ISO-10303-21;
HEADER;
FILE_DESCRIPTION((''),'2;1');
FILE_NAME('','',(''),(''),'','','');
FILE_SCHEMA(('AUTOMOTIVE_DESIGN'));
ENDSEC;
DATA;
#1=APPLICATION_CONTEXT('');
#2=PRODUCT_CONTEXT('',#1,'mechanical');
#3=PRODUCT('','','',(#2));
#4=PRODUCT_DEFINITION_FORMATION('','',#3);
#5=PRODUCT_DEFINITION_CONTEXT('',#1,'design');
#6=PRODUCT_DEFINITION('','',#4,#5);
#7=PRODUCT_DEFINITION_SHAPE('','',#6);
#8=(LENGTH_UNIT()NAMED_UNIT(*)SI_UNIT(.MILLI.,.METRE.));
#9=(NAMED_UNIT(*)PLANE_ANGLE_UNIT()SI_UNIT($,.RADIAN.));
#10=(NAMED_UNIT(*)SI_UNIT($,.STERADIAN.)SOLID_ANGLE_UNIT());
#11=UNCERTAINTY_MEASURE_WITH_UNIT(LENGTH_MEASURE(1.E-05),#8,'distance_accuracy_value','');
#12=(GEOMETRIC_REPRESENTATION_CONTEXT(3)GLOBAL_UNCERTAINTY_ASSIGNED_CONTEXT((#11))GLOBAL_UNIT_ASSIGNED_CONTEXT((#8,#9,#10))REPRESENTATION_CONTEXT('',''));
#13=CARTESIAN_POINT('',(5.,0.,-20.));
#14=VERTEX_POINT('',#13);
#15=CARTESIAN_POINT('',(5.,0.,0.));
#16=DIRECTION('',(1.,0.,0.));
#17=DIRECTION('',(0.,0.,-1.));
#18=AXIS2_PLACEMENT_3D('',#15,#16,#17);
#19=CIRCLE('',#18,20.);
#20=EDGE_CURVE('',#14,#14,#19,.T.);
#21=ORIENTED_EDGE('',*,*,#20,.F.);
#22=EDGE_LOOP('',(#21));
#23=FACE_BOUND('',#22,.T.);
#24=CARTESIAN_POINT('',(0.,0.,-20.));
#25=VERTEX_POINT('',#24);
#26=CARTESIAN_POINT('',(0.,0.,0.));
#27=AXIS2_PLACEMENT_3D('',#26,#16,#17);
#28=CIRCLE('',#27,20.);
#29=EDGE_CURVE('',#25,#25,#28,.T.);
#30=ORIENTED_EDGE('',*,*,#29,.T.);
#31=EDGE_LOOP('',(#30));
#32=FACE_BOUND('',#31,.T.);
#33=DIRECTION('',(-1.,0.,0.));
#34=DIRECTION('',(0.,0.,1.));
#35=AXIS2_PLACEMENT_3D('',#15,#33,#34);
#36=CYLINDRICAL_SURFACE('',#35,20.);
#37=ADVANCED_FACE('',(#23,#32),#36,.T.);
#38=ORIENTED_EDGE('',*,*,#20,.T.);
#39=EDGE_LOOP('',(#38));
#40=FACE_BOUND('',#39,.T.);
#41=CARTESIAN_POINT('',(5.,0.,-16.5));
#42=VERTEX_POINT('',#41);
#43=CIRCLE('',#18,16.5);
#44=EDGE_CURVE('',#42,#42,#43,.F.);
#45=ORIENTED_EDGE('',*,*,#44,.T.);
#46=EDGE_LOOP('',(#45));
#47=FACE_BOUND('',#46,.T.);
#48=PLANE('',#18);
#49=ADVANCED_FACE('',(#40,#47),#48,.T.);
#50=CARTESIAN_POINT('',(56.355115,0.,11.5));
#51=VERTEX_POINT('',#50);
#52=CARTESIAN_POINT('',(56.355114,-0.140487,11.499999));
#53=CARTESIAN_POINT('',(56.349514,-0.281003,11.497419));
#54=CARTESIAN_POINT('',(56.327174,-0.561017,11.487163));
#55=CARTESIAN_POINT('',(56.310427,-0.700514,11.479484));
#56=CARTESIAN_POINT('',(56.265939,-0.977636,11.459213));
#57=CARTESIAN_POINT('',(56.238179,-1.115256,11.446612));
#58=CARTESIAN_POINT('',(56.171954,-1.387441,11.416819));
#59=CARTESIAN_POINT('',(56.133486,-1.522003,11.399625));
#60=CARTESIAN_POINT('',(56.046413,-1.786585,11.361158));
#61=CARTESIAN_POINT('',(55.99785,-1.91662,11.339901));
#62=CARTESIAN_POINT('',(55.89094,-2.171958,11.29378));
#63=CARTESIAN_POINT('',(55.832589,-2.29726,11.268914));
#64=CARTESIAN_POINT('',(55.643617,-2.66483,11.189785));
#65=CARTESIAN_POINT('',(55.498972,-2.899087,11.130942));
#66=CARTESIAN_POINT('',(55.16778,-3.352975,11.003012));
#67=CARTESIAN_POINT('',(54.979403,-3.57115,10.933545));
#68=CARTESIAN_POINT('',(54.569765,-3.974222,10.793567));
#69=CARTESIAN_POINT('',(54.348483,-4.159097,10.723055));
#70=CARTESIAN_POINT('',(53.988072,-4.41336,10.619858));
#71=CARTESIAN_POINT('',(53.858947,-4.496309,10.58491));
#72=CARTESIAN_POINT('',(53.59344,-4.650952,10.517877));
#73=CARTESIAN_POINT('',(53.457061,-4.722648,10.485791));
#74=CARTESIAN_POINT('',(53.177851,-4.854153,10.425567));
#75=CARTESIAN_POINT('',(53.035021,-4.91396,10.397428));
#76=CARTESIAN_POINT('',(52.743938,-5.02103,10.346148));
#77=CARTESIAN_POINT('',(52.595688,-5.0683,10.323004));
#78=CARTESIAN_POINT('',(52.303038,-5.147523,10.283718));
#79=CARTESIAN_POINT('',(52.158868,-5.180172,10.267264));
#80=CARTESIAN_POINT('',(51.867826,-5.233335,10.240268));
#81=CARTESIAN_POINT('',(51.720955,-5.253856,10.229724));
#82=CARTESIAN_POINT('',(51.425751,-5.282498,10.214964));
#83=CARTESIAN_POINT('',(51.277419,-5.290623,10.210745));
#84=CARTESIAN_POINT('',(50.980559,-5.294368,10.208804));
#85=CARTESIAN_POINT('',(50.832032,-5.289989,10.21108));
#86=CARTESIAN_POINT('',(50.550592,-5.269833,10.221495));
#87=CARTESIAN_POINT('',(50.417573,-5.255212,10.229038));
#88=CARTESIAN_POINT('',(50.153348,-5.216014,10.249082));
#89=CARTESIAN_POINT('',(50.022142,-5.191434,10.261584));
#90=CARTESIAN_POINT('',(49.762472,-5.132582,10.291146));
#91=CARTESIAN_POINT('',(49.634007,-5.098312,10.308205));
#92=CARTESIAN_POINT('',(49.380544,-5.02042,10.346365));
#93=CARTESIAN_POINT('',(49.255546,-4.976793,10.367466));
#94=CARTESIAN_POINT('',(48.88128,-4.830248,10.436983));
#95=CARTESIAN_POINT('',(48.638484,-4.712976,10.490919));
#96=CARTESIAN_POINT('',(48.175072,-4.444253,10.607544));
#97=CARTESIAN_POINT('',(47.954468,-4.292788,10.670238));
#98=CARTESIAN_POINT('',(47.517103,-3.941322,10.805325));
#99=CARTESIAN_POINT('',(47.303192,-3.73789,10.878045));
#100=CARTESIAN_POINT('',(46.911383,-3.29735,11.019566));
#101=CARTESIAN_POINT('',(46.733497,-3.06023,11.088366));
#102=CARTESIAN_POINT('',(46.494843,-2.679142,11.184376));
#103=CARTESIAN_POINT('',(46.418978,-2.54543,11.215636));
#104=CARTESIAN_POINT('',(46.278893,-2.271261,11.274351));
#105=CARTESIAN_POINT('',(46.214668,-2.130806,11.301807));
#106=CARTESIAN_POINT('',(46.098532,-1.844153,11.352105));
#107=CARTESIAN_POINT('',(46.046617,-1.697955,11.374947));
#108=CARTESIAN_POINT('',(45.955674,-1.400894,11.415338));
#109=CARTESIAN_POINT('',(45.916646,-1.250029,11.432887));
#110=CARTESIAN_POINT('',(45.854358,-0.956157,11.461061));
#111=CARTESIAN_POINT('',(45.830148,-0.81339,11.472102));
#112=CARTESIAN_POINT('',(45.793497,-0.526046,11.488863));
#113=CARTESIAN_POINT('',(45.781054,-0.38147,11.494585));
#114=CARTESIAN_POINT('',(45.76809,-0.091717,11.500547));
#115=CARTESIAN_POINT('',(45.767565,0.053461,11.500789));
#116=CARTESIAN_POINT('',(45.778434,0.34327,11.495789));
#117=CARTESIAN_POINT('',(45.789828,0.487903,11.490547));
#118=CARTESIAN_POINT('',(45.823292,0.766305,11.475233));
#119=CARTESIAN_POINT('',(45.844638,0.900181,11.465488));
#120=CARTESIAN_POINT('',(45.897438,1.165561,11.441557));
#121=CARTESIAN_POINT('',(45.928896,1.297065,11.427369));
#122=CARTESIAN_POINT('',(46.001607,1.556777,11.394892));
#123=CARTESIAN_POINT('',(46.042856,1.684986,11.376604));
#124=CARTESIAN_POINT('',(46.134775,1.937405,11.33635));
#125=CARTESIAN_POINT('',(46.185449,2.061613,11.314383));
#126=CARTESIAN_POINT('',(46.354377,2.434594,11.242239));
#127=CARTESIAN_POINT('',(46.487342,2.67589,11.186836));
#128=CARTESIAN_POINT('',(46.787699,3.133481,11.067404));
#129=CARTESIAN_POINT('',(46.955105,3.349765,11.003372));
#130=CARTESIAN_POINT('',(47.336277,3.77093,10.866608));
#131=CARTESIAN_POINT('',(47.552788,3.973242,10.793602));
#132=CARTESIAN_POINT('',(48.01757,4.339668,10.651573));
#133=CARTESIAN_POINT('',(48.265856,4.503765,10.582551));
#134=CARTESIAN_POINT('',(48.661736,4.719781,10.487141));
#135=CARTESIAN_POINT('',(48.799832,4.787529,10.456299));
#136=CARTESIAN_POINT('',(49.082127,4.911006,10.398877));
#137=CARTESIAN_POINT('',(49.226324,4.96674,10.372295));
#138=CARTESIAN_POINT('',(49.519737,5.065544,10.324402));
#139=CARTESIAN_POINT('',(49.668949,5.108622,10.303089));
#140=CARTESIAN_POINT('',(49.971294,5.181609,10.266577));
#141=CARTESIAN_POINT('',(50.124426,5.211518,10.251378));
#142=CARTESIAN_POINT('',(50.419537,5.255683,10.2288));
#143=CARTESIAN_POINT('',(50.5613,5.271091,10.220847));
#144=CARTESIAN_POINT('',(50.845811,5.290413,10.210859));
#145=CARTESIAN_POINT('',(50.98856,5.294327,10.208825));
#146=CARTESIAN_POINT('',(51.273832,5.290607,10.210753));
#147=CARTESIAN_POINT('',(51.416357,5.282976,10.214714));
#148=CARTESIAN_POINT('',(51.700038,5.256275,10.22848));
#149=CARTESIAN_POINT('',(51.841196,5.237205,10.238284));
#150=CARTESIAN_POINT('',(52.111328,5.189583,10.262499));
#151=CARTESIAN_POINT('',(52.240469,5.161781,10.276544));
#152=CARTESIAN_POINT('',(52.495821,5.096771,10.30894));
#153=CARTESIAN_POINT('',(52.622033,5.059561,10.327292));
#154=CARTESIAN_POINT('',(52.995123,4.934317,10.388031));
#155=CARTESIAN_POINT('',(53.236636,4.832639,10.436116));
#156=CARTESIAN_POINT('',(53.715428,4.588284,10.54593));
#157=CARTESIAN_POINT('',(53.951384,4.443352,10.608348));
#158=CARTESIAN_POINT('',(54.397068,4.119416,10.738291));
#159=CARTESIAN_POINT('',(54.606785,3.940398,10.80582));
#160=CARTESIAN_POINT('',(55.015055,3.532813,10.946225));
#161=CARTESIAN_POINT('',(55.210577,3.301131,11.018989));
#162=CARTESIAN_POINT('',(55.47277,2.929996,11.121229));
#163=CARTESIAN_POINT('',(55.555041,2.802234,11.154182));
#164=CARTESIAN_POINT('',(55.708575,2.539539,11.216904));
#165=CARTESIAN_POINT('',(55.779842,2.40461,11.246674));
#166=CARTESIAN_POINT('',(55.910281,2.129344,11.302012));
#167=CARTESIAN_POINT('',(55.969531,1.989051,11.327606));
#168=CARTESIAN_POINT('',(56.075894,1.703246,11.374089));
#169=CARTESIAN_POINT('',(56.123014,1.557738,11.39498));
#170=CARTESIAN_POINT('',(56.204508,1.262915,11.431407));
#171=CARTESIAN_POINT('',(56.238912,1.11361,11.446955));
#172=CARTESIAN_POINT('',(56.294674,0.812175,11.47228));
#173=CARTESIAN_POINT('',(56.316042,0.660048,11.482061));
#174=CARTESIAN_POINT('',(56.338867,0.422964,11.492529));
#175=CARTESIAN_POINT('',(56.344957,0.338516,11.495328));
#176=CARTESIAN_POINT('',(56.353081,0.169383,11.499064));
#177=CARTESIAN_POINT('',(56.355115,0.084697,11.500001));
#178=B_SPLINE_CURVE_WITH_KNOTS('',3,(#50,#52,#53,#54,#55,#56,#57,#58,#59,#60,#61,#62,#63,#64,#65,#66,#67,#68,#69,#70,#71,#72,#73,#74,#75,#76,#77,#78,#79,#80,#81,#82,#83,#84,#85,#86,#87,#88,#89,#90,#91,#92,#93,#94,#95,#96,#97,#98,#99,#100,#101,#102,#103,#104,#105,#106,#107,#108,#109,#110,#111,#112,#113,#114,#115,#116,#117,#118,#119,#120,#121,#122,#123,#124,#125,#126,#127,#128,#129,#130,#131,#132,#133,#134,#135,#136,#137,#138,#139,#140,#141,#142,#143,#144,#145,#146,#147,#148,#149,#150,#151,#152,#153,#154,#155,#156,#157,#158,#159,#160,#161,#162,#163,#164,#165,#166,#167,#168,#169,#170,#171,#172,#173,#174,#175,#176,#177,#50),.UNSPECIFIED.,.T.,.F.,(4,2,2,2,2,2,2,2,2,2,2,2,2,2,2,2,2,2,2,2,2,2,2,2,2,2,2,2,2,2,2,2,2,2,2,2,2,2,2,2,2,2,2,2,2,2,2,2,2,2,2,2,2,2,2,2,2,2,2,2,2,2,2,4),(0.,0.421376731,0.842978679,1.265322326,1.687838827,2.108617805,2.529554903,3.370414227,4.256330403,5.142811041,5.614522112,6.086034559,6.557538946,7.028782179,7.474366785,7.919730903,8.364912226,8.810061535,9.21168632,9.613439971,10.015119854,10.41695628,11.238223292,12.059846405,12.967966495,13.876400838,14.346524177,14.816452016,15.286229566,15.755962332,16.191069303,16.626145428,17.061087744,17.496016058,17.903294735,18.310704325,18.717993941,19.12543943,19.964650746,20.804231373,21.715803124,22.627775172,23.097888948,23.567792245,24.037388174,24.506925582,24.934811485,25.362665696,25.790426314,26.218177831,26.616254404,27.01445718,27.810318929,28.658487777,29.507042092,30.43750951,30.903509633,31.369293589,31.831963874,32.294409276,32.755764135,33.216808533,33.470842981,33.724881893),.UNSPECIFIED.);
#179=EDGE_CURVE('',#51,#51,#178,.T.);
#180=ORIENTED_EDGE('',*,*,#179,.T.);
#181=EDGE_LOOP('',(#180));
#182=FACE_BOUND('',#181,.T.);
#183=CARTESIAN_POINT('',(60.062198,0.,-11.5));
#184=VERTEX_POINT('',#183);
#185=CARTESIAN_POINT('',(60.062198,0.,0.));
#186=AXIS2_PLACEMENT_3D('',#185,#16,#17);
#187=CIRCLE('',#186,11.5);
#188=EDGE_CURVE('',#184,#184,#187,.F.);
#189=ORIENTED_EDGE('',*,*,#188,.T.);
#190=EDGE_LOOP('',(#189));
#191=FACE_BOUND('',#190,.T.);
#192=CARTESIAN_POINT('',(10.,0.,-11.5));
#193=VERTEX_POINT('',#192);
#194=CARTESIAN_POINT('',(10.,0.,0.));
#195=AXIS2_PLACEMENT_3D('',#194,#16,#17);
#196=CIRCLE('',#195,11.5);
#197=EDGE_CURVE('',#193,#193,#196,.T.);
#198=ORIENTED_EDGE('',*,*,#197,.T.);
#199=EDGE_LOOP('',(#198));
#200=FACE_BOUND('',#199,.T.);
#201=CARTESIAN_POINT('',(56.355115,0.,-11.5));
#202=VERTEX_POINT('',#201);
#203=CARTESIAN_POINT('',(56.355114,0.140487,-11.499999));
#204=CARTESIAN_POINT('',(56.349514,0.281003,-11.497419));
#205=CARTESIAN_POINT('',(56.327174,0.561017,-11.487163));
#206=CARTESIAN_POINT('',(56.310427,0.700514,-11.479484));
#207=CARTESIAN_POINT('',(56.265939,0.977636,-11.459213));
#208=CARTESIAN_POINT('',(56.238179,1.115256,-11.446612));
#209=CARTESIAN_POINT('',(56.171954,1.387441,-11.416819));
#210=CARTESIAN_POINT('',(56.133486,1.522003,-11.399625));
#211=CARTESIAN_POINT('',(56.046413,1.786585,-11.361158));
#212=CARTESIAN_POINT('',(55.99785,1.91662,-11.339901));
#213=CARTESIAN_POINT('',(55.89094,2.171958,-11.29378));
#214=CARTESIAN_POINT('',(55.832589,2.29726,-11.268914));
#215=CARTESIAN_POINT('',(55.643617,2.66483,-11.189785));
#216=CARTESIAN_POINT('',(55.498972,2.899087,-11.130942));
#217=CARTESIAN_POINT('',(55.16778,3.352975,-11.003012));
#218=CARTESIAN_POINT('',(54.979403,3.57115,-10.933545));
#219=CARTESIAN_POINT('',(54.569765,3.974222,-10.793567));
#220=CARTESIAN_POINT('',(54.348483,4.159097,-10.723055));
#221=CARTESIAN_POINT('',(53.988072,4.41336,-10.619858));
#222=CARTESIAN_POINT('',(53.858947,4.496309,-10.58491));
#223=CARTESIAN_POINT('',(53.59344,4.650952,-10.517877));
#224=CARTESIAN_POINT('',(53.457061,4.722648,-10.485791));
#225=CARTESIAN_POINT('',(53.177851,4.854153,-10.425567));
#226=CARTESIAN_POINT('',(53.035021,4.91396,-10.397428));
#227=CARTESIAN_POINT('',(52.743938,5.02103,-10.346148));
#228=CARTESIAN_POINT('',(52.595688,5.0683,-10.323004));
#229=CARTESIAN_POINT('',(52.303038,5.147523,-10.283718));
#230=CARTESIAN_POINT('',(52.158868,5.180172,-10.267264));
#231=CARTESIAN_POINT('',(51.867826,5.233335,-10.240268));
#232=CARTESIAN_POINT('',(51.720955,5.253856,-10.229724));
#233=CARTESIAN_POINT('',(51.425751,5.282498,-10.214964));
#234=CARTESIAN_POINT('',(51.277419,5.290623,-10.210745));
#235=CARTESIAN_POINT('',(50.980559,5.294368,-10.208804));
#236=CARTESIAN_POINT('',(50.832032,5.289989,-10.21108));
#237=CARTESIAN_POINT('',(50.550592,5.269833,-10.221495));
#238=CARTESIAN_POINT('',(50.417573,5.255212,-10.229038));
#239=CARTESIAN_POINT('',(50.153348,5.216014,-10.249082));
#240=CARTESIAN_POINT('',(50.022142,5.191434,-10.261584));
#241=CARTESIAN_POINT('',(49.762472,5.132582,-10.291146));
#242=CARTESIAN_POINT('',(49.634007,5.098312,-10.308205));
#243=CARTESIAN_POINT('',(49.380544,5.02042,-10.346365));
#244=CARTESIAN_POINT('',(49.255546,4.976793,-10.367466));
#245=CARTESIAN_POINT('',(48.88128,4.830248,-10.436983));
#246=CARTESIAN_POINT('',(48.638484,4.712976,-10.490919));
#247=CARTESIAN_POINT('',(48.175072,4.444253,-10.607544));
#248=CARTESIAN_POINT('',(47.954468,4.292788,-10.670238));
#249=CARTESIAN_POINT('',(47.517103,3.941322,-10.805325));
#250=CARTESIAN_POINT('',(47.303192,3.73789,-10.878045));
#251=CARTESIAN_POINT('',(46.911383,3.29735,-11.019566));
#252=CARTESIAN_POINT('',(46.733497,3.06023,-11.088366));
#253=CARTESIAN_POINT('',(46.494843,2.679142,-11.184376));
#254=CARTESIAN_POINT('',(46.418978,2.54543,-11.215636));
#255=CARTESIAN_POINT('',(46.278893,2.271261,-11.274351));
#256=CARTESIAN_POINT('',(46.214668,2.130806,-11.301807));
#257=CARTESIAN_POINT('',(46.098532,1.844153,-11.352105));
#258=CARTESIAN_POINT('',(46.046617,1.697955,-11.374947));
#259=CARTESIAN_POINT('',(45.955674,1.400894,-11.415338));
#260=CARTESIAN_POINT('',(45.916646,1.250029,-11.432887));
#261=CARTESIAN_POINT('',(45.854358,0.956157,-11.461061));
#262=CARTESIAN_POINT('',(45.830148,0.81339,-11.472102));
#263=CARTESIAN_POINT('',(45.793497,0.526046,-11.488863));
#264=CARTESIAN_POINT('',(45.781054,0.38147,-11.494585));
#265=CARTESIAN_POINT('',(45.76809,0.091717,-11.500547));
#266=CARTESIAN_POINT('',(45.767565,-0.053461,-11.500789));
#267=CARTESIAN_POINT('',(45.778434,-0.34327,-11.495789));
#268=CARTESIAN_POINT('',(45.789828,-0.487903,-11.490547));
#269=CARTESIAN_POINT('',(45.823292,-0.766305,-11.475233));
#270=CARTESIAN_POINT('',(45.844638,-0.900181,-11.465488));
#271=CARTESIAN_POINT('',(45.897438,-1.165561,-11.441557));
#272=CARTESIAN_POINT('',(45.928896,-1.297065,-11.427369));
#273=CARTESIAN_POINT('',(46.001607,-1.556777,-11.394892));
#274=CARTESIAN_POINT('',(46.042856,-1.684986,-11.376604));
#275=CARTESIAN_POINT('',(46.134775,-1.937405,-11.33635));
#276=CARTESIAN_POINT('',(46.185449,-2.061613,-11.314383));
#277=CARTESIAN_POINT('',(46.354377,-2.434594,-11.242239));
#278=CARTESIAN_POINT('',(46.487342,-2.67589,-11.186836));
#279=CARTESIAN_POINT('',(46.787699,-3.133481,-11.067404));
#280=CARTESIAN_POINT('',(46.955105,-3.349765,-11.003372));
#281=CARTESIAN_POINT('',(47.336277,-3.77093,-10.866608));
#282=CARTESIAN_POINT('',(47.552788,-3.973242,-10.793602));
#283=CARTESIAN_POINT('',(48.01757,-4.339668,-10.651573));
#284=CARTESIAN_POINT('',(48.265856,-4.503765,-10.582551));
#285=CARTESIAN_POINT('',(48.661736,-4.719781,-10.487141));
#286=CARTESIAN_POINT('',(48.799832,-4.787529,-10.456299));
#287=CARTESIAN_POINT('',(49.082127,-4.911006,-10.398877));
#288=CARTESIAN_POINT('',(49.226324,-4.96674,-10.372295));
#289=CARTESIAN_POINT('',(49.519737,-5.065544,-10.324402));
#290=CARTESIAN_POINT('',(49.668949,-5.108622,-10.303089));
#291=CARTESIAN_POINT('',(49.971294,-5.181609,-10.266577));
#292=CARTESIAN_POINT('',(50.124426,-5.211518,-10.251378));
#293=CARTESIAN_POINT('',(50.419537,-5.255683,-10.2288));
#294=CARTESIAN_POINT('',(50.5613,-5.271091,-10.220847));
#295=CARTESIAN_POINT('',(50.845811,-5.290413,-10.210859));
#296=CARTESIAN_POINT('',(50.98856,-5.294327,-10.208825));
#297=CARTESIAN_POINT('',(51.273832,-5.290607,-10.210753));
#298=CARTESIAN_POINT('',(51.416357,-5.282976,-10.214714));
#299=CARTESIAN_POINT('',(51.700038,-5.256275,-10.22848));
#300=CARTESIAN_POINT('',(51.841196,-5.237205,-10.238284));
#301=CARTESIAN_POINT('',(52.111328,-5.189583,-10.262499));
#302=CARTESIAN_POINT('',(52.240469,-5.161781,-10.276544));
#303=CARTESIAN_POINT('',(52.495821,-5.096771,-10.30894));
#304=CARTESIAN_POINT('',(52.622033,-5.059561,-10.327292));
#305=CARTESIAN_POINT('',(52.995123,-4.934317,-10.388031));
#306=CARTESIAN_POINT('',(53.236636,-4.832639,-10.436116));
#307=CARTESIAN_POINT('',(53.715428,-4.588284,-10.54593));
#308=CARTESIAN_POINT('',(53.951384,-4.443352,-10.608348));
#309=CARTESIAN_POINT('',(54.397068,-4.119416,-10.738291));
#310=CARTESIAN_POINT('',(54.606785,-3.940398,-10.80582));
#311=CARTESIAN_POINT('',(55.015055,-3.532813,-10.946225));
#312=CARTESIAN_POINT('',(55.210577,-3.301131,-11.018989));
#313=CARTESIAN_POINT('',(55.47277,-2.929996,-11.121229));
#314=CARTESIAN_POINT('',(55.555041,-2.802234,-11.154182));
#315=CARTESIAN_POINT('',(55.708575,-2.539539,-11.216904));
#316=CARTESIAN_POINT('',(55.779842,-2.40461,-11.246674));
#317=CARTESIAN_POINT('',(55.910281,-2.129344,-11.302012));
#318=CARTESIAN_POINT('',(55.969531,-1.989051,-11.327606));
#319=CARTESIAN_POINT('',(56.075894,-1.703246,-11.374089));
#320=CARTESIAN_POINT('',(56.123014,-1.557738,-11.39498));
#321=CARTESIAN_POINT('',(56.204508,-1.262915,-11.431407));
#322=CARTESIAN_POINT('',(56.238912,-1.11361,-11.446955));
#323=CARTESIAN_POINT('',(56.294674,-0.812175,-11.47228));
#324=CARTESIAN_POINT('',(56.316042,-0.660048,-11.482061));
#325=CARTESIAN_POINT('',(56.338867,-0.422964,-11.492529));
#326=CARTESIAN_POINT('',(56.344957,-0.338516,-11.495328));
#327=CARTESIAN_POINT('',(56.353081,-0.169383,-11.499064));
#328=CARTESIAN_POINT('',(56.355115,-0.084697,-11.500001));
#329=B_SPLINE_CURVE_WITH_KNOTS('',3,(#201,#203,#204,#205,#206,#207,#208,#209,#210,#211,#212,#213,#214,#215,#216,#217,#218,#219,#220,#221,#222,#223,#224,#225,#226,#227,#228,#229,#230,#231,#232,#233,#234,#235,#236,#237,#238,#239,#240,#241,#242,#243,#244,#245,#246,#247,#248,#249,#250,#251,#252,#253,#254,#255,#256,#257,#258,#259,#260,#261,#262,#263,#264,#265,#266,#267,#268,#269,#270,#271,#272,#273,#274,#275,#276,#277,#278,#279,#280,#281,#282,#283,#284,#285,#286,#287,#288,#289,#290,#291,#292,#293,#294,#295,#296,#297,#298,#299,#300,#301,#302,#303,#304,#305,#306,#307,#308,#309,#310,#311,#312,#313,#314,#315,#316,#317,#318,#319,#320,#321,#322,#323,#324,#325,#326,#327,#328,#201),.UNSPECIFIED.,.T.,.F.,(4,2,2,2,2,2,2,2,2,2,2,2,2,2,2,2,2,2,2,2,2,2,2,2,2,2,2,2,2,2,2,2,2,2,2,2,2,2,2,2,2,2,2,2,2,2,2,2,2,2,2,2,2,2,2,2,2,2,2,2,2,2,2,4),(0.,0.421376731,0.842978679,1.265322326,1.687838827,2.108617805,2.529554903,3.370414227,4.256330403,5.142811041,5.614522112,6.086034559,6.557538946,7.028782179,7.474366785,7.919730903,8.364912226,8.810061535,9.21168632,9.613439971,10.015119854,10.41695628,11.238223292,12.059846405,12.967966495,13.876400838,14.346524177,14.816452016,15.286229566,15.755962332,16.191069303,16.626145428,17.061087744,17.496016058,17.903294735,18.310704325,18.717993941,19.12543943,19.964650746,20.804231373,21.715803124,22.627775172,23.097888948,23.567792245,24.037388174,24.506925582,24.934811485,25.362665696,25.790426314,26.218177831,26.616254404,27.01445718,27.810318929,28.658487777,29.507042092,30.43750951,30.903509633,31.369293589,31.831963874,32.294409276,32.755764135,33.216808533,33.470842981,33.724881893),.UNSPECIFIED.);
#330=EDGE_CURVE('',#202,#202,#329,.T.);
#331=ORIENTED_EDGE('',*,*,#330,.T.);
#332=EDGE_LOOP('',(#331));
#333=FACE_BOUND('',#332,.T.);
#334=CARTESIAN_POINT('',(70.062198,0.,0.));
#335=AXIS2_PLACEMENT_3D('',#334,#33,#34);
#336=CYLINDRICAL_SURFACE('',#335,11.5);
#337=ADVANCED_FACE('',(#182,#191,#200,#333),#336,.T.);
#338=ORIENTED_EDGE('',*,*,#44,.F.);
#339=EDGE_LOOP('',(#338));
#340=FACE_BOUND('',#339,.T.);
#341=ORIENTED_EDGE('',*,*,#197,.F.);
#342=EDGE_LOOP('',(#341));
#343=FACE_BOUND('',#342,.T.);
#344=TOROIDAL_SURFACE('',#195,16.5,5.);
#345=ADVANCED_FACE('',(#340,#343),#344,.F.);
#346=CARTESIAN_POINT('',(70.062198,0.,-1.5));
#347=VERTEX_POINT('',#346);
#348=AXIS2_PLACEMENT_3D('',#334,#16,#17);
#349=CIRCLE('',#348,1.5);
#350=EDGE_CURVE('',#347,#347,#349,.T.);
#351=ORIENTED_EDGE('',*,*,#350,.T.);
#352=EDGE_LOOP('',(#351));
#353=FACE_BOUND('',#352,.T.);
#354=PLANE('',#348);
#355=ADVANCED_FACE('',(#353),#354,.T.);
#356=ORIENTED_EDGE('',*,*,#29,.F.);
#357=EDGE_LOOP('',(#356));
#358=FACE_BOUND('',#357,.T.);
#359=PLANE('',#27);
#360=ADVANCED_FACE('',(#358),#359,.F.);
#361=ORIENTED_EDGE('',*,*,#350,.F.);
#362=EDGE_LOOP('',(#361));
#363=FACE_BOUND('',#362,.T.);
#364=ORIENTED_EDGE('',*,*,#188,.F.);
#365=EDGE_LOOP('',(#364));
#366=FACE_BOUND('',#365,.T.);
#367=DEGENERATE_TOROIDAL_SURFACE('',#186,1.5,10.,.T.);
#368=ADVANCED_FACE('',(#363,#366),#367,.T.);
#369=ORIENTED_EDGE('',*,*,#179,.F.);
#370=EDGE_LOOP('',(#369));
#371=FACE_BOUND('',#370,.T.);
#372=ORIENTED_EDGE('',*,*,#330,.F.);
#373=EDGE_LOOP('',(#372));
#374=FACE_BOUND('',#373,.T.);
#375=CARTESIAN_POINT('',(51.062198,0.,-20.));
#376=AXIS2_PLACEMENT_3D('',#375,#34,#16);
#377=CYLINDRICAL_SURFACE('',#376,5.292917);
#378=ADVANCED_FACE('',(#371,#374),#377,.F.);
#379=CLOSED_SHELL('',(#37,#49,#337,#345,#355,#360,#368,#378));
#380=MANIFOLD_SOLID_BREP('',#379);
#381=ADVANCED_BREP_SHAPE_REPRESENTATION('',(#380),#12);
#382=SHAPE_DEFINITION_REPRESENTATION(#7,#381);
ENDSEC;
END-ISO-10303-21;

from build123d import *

# Parameters (mm, degrees)
SKETCH2_R           = 20
BOSS_EXTRUDE1_DEPTH = 5
SKETCH3_R           = 11.5
BOSS_EXTRUDE2_DEPTH = 65.062198088
FILLET3_R           = 10
FILLET5_R           = 5
SKETCH6_R           = 5.292916783
CUT_EXTRUDE1_DEPTH  = 85.504906147


with BuildPart() as part:
    # Sketch2 → Boss-Extrude1 (new body)
    with BuildSketch(Plane(origin=(0, 0, 0), x_dir=(0, 0, -1), z_dir=(1, 0, 0))):
        Circle(SKETCH2_R)
    extrude(amount=BOSS_EXTRUDE1_DEPTH)

    # Sketch3 → Boss-Extrude2 (add)
    with BuildSketch(Plane(origin=(5, 0, 0), x_dir=(0, 0, -1), z_dir=(1, 0, 0))):
        Circle(SKETCH3_R)
    extrude(amount=BOSS_EXTRUDE2_DEPTH)

    # Fillet3
    fillet3_edges = [part.edges().sort_by_distance(p)[0] for p in [
        (70.062198088, 0, 11.5),
    ]]
    fillet(fillet3_edges, radius=FILLET3_R)

    # Fillet5
    fillet5_edges = [part.edges().sort_by_distance(p)[0] for p in [
        (5, 0, 11.5),
    ]]
    fillet(fillet5_edges, radius=FILLET5_R)

    # Sketch6 → Cut-Extrude1 (cut, through all)
    with BuildSketch(Plane.XY.offset(22.806162663)):
        with Locations((51.062198088, 0)):
            Circle(SKETCH6_R)
    extrude(amount=-CUT_EXTRUDE1_DEPTH, mode=Mode.SUBTRACT)


solid = part.part
